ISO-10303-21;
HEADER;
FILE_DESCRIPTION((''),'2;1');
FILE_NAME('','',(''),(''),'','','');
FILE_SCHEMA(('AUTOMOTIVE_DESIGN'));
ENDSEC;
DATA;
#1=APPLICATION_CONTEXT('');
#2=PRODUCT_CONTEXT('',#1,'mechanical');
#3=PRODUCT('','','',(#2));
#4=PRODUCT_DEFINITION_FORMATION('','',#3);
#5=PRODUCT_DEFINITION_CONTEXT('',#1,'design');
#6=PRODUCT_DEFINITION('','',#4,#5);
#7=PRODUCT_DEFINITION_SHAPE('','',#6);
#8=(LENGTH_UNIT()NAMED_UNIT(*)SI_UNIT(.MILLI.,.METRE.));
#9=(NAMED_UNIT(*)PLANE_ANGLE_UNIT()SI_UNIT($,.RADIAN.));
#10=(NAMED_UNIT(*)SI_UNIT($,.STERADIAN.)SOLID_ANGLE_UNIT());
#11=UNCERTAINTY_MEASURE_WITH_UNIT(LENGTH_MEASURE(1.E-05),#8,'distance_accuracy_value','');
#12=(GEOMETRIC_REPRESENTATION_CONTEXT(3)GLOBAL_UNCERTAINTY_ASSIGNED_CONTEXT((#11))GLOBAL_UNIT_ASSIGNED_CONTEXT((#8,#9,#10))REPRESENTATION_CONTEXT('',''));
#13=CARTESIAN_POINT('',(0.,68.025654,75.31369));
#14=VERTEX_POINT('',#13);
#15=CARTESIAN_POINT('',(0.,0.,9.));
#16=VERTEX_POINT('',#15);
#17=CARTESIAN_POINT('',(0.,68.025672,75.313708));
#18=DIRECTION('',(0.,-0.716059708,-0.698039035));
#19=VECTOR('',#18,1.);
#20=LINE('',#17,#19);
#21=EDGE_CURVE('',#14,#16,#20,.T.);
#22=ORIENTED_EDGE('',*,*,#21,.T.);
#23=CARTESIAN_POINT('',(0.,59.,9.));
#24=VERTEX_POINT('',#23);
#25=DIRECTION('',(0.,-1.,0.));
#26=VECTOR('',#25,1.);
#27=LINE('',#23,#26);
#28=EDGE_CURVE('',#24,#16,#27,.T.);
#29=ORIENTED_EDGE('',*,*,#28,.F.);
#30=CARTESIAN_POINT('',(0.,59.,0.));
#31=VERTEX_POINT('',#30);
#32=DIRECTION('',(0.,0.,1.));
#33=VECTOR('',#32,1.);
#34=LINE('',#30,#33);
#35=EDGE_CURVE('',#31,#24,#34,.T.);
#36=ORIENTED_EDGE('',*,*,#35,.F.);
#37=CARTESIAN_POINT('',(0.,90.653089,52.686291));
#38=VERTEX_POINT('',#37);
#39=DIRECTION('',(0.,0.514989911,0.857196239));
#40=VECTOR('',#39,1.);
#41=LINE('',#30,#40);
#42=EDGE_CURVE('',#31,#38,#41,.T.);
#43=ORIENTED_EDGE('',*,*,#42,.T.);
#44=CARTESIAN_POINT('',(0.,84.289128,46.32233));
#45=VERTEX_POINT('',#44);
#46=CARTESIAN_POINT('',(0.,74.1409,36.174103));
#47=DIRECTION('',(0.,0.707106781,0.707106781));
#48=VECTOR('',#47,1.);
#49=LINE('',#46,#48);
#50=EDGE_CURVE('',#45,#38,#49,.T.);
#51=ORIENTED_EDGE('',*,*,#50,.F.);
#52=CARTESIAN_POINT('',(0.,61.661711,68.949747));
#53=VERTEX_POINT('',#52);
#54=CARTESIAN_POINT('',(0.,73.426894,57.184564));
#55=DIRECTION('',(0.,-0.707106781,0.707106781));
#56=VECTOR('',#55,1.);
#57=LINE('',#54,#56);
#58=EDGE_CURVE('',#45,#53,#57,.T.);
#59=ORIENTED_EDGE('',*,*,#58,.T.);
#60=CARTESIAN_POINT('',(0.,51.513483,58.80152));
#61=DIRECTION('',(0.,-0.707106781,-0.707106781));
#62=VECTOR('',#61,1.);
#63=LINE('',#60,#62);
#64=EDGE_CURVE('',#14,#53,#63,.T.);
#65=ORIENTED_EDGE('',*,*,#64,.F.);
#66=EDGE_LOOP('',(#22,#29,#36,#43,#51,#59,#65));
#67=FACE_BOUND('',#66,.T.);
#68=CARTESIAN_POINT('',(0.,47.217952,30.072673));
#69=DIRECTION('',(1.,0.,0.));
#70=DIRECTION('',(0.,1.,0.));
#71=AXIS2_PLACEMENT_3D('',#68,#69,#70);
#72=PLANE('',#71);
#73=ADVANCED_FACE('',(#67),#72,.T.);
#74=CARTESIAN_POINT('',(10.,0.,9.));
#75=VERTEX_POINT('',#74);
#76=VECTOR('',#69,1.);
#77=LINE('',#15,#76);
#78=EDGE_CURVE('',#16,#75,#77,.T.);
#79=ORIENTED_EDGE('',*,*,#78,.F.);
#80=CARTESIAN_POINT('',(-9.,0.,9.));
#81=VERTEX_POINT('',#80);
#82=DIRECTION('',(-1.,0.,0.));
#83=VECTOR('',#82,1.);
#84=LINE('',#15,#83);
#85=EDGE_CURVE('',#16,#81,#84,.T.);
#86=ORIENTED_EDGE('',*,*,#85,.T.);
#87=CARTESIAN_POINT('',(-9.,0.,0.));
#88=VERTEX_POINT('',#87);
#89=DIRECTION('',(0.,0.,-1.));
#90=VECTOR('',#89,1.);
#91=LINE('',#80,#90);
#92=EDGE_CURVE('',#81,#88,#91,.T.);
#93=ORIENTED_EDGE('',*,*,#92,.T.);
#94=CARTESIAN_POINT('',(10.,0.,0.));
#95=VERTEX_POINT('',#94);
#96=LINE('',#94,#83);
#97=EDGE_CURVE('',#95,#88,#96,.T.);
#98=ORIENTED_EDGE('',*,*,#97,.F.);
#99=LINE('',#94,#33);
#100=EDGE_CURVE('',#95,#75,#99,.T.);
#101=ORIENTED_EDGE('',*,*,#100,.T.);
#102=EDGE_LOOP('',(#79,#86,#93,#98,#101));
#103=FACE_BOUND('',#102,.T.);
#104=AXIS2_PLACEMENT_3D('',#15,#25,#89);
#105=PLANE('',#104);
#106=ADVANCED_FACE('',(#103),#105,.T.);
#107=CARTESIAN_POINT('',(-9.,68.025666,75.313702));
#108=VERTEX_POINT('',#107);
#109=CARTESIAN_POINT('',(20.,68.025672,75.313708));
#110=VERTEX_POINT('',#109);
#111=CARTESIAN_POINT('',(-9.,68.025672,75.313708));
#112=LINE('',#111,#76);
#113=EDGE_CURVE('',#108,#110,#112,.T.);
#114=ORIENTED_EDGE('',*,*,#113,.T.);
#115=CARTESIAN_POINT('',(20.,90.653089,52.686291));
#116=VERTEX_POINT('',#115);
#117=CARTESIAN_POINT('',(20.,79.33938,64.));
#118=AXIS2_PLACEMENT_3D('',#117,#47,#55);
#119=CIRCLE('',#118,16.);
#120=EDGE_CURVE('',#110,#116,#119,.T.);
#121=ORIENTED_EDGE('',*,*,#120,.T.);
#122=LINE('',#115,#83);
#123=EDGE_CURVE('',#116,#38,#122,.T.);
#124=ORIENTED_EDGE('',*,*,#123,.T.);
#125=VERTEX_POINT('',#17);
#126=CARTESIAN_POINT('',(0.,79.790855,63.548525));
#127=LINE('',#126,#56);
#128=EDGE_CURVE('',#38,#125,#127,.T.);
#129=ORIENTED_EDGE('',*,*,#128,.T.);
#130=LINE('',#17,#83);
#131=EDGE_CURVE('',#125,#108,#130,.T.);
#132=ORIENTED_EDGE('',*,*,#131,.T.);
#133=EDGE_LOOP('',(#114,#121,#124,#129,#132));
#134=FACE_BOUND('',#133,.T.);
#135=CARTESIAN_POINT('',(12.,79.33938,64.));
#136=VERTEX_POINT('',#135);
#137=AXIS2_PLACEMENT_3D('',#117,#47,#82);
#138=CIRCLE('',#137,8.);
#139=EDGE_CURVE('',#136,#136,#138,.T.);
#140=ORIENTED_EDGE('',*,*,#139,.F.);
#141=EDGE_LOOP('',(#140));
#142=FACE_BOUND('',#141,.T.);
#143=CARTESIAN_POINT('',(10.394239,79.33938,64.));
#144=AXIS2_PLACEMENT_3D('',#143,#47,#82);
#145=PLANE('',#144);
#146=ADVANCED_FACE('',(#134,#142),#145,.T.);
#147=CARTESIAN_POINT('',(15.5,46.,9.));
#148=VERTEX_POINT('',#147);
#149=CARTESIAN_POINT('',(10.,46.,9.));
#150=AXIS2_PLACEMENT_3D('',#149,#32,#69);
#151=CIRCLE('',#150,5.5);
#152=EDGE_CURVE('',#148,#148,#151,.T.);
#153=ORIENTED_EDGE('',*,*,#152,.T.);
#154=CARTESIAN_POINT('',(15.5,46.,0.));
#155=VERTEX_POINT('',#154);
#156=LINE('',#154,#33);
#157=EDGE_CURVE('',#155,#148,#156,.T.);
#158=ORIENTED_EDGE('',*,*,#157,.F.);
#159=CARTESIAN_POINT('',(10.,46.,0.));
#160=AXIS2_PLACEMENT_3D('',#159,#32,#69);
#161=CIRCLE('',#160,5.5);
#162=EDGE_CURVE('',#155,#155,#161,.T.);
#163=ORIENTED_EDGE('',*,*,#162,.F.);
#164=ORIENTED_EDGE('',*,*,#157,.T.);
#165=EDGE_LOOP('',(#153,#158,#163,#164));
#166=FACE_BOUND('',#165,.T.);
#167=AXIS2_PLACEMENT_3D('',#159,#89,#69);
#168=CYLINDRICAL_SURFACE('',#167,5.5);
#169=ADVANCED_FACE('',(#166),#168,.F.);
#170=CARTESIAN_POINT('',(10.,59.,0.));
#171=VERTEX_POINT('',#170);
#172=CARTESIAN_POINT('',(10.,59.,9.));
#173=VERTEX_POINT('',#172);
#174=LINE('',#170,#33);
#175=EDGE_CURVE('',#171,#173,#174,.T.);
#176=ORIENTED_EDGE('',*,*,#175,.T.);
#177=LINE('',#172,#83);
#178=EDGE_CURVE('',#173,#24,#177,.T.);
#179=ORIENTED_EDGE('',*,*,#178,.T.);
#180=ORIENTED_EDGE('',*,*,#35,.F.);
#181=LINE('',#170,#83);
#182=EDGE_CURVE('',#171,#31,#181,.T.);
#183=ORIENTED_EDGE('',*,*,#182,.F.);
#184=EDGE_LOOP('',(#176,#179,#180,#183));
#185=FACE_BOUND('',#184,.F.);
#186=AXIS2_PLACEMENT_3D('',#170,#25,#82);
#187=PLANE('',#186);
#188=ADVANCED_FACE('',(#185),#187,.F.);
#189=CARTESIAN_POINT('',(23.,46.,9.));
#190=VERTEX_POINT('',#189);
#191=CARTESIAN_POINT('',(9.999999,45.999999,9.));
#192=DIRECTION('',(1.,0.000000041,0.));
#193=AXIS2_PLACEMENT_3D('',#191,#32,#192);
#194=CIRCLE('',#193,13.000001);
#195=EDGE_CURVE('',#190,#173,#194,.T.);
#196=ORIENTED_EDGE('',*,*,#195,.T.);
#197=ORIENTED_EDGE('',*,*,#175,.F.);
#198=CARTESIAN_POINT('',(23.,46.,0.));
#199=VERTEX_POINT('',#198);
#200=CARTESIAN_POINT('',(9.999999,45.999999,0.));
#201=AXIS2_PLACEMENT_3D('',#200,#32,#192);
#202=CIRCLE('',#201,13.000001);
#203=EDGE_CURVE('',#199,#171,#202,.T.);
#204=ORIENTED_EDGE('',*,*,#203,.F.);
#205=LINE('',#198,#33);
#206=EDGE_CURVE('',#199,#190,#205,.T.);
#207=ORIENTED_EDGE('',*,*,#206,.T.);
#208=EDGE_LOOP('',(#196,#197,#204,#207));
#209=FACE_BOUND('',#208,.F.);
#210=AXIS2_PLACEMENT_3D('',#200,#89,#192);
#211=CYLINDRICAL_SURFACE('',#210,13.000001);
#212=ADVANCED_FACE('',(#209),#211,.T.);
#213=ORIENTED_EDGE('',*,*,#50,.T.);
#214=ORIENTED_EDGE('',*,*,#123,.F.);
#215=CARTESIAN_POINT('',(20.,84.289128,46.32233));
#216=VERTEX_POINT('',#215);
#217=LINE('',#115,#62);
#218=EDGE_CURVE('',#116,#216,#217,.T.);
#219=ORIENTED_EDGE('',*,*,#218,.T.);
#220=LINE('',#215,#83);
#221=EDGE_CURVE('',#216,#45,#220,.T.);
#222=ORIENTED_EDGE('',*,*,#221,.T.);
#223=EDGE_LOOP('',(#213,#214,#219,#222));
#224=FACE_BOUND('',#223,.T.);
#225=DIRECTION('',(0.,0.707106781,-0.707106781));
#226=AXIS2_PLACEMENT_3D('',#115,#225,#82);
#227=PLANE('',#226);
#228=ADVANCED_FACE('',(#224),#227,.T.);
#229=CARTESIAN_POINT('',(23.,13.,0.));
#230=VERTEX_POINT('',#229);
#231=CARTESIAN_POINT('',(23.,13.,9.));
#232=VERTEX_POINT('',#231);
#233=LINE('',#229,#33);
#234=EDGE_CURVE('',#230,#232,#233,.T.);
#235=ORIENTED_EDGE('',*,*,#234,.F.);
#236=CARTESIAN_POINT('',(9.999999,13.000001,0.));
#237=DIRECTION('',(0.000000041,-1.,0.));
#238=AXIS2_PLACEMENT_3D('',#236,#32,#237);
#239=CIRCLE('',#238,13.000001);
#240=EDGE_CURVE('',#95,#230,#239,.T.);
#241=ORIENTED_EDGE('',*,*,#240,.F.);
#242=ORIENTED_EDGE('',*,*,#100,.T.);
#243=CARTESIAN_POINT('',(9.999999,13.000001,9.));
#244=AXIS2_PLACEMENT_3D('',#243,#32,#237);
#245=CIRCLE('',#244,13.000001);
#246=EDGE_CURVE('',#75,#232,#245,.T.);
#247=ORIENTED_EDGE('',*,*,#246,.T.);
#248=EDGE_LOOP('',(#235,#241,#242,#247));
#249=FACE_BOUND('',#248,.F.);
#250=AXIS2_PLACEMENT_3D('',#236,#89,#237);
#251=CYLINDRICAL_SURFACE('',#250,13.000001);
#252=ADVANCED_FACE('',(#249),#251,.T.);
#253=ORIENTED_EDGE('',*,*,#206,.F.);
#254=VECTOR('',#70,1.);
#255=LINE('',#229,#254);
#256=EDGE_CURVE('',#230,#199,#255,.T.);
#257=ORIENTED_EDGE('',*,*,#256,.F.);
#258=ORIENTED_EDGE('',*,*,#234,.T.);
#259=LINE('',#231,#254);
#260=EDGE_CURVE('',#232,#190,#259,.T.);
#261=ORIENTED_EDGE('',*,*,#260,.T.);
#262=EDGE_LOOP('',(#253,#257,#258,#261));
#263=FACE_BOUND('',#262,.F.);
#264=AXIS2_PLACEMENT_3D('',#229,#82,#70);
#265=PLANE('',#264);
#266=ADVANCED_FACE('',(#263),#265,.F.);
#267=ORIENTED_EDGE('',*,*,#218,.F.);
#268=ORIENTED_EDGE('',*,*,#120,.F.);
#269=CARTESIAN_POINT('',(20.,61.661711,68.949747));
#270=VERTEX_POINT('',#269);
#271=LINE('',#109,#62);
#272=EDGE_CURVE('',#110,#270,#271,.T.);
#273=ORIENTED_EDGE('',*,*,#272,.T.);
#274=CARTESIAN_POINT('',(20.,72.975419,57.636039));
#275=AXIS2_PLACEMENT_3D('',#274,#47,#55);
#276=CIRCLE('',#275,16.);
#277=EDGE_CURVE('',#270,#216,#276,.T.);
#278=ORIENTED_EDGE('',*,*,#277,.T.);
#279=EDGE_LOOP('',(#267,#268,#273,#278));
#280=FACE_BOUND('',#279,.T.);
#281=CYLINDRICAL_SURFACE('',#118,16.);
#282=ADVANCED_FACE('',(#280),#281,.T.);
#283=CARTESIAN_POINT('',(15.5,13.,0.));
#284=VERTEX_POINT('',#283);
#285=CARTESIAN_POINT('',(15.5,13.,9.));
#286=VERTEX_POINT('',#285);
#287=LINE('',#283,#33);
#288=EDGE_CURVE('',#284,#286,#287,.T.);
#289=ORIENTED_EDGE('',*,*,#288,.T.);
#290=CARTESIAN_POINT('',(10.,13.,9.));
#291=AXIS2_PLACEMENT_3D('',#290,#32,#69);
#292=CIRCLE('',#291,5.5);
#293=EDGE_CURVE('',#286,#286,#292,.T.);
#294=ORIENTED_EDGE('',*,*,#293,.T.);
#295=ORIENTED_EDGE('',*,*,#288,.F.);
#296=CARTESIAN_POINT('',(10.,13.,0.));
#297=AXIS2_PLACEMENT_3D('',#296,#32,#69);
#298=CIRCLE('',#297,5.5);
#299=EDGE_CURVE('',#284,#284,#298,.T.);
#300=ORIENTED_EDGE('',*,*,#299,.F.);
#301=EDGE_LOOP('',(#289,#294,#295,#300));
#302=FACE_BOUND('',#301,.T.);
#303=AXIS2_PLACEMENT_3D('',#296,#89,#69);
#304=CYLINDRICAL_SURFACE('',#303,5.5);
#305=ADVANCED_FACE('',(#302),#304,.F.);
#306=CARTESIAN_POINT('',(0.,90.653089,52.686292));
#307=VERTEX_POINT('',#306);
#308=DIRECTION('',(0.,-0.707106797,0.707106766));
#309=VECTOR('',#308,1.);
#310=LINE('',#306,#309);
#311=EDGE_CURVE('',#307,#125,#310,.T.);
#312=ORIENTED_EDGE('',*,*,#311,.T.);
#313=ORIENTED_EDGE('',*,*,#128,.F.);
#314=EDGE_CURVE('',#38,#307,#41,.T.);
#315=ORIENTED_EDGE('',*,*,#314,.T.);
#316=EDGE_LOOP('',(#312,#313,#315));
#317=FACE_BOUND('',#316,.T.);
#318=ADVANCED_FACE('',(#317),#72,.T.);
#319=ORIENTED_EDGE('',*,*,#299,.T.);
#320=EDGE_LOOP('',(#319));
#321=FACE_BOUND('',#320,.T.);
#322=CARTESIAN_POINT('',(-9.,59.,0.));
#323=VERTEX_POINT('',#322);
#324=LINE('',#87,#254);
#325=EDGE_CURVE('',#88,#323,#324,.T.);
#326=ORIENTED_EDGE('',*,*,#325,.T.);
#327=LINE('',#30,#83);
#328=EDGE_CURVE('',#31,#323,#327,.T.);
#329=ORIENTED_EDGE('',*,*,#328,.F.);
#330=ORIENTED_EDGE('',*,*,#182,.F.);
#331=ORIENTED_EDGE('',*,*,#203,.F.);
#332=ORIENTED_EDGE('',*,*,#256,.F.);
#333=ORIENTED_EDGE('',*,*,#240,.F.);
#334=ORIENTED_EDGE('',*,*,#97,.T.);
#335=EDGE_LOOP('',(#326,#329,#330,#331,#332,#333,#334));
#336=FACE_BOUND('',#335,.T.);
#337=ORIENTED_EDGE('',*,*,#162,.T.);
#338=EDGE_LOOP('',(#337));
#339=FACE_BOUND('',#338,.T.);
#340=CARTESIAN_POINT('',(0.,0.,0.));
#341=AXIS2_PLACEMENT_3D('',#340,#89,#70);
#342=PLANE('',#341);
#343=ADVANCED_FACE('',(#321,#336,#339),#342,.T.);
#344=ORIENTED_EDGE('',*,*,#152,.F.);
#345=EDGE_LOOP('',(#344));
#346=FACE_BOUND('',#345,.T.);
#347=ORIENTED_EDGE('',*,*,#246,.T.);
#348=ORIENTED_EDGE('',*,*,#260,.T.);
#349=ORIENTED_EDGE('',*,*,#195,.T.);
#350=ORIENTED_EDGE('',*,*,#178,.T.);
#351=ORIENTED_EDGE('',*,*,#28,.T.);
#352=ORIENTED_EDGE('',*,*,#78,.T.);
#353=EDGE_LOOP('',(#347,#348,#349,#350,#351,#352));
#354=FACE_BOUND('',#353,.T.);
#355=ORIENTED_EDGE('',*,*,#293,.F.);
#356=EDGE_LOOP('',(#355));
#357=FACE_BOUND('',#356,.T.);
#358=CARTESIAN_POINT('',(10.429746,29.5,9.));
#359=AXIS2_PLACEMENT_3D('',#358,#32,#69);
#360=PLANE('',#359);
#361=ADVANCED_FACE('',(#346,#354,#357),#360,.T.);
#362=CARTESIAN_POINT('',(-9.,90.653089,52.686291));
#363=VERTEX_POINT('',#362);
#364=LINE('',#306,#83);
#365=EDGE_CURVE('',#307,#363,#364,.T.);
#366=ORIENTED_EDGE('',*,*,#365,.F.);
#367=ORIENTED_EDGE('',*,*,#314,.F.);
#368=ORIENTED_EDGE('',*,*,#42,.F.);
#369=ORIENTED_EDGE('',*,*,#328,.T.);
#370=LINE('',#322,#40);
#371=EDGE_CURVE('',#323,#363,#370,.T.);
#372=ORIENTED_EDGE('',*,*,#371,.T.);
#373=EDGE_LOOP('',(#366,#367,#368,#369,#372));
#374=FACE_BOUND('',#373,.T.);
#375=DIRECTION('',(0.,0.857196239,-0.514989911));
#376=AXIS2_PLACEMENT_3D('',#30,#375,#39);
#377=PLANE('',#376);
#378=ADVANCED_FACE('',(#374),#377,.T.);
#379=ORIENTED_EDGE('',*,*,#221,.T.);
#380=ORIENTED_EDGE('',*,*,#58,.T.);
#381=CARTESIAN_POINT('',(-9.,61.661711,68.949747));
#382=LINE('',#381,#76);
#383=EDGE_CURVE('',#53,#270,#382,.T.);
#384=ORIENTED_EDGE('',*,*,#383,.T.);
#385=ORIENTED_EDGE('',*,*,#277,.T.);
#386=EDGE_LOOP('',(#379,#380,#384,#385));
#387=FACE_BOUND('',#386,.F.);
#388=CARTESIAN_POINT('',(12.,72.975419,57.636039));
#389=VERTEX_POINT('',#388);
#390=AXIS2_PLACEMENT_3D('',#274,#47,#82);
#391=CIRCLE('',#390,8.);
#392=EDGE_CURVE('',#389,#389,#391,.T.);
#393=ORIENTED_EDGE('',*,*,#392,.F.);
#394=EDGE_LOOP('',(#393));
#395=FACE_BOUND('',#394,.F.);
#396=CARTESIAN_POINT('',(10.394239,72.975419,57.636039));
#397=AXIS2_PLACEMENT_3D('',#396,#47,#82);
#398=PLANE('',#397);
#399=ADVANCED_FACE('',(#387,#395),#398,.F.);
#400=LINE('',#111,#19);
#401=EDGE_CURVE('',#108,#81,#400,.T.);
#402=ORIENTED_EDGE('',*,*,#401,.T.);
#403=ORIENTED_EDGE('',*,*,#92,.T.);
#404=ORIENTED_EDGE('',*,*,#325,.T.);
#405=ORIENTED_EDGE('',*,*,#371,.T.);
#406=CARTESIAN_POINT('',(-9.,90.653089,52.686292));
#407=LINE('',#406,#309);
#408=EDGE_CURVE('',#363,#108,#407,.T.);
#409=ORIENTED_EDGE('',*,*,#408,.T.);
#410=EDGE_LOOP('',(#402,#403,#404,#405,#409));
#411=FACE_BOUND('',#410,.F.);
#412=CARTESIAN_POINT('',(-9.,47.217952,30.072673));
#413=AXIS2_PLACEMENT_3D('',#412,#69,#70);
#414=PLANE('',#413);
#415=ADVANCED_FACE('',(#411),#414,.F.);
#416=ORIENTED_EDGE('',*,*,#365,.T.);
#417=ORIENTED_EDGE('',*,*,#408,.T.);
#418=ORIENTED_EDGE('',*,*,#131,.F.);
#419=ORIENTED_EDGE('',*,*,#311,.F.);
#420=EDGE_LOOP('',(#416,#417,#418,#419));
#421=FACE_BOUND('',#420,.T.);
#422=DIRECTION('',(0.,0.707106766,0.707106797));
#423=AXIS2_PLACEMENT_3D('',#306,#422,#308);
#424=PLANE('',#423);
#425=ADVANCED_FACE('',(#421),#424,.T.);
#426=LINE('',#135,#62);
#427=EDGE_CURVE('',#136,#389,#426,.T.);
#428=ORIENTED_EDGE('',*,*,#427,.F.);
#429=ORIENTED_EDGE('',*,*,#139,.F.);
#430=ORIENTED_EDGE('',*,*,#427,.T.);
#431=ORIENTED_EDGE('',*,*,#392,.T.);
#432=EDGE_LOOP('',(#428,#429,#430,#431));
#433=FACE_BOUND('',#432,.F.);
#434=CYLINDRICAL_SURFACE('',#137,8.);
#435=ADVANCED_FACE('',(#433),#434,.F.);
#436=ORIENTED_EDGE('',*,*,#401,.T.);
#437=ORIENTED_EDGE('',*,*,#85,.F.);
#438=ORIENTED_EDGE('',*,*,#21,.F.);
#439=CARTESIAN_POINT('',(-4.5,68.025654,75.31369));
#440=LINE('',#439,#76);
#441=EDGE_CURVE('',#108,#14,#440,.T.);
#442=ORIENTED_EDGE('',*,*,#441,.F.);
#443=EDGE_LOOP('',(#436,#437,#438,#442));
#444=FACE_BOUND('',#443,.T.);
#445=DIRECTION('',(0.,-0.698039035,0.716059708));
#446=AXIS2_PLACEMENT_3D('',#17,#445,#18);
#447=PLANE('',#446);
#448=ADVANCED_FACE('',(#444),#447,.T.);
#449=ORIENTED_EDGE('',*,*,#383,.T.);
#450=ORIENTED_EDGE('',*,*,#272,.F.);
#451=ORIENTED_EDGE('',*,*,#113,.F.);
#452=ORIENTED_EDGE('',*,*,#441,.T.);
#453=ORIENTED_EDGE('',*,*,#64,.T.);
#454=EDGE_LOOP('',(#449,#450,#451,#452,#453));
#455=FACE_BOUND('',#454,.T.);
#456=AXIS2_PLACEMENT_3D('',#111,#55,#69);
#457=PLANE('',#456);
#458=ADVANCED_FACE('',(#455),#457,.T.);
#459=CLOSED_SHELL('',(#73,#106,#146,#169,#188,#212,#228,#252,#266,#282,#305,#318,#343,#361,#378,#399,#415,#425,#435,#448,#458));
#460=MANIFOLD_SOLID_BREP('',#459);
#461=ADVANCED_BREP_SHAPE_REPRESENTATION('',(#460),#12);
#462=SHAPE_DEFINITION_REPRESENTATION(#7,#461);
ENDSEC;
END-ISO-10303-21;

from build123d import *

# Parameters (mm, degrees)
F0_R     = 5.5
F1_DEPTH = 9
F3_DEPTH = 9
F4_R     = 8
F5_DEPTH = 9


with BuildPart() as f1:
    # F0 (on Top) → F1 (new body)
    with BuildSketch(Plane.XY):
        with BuildLine():
            Line((0, 59), (0, 0))
            Line((0, 0), (10, 0))
            ThreePointArc((10, 0), (19.192388, 3.807612), (23, 13))
            Line((23, 13), (23, 46))
            ThreePointArc((23, 46), (19.192388, 55.192388), (10, 59))
            Line((10, 59), (0, 59))
        make_face()
        with Locations((10, 13)):
            Circle(F0_R, mode=Mode.SUBTRACT)
        with Locations((10, 46)):
            Circle(F0_R, mode=Mode.SUBTRACT)
    extrude(amount=F1_DEPTH)

    # F2 (on Right) → F3 (join)
    with BuildSketch(Plane.YZ):
        Polygon((90.653089, 52.686292), (68.025672, 75.313708), (0, 9), (0, 0), (59, 0), align=None)
    extrude(amount=-F3_DEPTH)

    # F4 (on face) → F5 (join)
    with BuildSketch(Plane(origin=(0, 71.66969, 71.66969), x_dir=(-1, 0, 0), z_dir=(0, 0.707107, 0.707107))):
        with BuildLine():
            Line((9, -26.84658), (9, 5.15342))
            Line((9, 5.15342), (-20, 5.15342))
            ThreePointArc((-20, 5.15342), (-36, -10.84658), (-20, -26.84658))
            Line((-20, -26.84658), (9, -26.84658))
        make_face()
        with Locations((-20, -10.84658)):
            Circle(F4_R, mode=Mode.SUBTRACT)
    extrude(amount=-F5_DEPTH)


solid = f1.part
